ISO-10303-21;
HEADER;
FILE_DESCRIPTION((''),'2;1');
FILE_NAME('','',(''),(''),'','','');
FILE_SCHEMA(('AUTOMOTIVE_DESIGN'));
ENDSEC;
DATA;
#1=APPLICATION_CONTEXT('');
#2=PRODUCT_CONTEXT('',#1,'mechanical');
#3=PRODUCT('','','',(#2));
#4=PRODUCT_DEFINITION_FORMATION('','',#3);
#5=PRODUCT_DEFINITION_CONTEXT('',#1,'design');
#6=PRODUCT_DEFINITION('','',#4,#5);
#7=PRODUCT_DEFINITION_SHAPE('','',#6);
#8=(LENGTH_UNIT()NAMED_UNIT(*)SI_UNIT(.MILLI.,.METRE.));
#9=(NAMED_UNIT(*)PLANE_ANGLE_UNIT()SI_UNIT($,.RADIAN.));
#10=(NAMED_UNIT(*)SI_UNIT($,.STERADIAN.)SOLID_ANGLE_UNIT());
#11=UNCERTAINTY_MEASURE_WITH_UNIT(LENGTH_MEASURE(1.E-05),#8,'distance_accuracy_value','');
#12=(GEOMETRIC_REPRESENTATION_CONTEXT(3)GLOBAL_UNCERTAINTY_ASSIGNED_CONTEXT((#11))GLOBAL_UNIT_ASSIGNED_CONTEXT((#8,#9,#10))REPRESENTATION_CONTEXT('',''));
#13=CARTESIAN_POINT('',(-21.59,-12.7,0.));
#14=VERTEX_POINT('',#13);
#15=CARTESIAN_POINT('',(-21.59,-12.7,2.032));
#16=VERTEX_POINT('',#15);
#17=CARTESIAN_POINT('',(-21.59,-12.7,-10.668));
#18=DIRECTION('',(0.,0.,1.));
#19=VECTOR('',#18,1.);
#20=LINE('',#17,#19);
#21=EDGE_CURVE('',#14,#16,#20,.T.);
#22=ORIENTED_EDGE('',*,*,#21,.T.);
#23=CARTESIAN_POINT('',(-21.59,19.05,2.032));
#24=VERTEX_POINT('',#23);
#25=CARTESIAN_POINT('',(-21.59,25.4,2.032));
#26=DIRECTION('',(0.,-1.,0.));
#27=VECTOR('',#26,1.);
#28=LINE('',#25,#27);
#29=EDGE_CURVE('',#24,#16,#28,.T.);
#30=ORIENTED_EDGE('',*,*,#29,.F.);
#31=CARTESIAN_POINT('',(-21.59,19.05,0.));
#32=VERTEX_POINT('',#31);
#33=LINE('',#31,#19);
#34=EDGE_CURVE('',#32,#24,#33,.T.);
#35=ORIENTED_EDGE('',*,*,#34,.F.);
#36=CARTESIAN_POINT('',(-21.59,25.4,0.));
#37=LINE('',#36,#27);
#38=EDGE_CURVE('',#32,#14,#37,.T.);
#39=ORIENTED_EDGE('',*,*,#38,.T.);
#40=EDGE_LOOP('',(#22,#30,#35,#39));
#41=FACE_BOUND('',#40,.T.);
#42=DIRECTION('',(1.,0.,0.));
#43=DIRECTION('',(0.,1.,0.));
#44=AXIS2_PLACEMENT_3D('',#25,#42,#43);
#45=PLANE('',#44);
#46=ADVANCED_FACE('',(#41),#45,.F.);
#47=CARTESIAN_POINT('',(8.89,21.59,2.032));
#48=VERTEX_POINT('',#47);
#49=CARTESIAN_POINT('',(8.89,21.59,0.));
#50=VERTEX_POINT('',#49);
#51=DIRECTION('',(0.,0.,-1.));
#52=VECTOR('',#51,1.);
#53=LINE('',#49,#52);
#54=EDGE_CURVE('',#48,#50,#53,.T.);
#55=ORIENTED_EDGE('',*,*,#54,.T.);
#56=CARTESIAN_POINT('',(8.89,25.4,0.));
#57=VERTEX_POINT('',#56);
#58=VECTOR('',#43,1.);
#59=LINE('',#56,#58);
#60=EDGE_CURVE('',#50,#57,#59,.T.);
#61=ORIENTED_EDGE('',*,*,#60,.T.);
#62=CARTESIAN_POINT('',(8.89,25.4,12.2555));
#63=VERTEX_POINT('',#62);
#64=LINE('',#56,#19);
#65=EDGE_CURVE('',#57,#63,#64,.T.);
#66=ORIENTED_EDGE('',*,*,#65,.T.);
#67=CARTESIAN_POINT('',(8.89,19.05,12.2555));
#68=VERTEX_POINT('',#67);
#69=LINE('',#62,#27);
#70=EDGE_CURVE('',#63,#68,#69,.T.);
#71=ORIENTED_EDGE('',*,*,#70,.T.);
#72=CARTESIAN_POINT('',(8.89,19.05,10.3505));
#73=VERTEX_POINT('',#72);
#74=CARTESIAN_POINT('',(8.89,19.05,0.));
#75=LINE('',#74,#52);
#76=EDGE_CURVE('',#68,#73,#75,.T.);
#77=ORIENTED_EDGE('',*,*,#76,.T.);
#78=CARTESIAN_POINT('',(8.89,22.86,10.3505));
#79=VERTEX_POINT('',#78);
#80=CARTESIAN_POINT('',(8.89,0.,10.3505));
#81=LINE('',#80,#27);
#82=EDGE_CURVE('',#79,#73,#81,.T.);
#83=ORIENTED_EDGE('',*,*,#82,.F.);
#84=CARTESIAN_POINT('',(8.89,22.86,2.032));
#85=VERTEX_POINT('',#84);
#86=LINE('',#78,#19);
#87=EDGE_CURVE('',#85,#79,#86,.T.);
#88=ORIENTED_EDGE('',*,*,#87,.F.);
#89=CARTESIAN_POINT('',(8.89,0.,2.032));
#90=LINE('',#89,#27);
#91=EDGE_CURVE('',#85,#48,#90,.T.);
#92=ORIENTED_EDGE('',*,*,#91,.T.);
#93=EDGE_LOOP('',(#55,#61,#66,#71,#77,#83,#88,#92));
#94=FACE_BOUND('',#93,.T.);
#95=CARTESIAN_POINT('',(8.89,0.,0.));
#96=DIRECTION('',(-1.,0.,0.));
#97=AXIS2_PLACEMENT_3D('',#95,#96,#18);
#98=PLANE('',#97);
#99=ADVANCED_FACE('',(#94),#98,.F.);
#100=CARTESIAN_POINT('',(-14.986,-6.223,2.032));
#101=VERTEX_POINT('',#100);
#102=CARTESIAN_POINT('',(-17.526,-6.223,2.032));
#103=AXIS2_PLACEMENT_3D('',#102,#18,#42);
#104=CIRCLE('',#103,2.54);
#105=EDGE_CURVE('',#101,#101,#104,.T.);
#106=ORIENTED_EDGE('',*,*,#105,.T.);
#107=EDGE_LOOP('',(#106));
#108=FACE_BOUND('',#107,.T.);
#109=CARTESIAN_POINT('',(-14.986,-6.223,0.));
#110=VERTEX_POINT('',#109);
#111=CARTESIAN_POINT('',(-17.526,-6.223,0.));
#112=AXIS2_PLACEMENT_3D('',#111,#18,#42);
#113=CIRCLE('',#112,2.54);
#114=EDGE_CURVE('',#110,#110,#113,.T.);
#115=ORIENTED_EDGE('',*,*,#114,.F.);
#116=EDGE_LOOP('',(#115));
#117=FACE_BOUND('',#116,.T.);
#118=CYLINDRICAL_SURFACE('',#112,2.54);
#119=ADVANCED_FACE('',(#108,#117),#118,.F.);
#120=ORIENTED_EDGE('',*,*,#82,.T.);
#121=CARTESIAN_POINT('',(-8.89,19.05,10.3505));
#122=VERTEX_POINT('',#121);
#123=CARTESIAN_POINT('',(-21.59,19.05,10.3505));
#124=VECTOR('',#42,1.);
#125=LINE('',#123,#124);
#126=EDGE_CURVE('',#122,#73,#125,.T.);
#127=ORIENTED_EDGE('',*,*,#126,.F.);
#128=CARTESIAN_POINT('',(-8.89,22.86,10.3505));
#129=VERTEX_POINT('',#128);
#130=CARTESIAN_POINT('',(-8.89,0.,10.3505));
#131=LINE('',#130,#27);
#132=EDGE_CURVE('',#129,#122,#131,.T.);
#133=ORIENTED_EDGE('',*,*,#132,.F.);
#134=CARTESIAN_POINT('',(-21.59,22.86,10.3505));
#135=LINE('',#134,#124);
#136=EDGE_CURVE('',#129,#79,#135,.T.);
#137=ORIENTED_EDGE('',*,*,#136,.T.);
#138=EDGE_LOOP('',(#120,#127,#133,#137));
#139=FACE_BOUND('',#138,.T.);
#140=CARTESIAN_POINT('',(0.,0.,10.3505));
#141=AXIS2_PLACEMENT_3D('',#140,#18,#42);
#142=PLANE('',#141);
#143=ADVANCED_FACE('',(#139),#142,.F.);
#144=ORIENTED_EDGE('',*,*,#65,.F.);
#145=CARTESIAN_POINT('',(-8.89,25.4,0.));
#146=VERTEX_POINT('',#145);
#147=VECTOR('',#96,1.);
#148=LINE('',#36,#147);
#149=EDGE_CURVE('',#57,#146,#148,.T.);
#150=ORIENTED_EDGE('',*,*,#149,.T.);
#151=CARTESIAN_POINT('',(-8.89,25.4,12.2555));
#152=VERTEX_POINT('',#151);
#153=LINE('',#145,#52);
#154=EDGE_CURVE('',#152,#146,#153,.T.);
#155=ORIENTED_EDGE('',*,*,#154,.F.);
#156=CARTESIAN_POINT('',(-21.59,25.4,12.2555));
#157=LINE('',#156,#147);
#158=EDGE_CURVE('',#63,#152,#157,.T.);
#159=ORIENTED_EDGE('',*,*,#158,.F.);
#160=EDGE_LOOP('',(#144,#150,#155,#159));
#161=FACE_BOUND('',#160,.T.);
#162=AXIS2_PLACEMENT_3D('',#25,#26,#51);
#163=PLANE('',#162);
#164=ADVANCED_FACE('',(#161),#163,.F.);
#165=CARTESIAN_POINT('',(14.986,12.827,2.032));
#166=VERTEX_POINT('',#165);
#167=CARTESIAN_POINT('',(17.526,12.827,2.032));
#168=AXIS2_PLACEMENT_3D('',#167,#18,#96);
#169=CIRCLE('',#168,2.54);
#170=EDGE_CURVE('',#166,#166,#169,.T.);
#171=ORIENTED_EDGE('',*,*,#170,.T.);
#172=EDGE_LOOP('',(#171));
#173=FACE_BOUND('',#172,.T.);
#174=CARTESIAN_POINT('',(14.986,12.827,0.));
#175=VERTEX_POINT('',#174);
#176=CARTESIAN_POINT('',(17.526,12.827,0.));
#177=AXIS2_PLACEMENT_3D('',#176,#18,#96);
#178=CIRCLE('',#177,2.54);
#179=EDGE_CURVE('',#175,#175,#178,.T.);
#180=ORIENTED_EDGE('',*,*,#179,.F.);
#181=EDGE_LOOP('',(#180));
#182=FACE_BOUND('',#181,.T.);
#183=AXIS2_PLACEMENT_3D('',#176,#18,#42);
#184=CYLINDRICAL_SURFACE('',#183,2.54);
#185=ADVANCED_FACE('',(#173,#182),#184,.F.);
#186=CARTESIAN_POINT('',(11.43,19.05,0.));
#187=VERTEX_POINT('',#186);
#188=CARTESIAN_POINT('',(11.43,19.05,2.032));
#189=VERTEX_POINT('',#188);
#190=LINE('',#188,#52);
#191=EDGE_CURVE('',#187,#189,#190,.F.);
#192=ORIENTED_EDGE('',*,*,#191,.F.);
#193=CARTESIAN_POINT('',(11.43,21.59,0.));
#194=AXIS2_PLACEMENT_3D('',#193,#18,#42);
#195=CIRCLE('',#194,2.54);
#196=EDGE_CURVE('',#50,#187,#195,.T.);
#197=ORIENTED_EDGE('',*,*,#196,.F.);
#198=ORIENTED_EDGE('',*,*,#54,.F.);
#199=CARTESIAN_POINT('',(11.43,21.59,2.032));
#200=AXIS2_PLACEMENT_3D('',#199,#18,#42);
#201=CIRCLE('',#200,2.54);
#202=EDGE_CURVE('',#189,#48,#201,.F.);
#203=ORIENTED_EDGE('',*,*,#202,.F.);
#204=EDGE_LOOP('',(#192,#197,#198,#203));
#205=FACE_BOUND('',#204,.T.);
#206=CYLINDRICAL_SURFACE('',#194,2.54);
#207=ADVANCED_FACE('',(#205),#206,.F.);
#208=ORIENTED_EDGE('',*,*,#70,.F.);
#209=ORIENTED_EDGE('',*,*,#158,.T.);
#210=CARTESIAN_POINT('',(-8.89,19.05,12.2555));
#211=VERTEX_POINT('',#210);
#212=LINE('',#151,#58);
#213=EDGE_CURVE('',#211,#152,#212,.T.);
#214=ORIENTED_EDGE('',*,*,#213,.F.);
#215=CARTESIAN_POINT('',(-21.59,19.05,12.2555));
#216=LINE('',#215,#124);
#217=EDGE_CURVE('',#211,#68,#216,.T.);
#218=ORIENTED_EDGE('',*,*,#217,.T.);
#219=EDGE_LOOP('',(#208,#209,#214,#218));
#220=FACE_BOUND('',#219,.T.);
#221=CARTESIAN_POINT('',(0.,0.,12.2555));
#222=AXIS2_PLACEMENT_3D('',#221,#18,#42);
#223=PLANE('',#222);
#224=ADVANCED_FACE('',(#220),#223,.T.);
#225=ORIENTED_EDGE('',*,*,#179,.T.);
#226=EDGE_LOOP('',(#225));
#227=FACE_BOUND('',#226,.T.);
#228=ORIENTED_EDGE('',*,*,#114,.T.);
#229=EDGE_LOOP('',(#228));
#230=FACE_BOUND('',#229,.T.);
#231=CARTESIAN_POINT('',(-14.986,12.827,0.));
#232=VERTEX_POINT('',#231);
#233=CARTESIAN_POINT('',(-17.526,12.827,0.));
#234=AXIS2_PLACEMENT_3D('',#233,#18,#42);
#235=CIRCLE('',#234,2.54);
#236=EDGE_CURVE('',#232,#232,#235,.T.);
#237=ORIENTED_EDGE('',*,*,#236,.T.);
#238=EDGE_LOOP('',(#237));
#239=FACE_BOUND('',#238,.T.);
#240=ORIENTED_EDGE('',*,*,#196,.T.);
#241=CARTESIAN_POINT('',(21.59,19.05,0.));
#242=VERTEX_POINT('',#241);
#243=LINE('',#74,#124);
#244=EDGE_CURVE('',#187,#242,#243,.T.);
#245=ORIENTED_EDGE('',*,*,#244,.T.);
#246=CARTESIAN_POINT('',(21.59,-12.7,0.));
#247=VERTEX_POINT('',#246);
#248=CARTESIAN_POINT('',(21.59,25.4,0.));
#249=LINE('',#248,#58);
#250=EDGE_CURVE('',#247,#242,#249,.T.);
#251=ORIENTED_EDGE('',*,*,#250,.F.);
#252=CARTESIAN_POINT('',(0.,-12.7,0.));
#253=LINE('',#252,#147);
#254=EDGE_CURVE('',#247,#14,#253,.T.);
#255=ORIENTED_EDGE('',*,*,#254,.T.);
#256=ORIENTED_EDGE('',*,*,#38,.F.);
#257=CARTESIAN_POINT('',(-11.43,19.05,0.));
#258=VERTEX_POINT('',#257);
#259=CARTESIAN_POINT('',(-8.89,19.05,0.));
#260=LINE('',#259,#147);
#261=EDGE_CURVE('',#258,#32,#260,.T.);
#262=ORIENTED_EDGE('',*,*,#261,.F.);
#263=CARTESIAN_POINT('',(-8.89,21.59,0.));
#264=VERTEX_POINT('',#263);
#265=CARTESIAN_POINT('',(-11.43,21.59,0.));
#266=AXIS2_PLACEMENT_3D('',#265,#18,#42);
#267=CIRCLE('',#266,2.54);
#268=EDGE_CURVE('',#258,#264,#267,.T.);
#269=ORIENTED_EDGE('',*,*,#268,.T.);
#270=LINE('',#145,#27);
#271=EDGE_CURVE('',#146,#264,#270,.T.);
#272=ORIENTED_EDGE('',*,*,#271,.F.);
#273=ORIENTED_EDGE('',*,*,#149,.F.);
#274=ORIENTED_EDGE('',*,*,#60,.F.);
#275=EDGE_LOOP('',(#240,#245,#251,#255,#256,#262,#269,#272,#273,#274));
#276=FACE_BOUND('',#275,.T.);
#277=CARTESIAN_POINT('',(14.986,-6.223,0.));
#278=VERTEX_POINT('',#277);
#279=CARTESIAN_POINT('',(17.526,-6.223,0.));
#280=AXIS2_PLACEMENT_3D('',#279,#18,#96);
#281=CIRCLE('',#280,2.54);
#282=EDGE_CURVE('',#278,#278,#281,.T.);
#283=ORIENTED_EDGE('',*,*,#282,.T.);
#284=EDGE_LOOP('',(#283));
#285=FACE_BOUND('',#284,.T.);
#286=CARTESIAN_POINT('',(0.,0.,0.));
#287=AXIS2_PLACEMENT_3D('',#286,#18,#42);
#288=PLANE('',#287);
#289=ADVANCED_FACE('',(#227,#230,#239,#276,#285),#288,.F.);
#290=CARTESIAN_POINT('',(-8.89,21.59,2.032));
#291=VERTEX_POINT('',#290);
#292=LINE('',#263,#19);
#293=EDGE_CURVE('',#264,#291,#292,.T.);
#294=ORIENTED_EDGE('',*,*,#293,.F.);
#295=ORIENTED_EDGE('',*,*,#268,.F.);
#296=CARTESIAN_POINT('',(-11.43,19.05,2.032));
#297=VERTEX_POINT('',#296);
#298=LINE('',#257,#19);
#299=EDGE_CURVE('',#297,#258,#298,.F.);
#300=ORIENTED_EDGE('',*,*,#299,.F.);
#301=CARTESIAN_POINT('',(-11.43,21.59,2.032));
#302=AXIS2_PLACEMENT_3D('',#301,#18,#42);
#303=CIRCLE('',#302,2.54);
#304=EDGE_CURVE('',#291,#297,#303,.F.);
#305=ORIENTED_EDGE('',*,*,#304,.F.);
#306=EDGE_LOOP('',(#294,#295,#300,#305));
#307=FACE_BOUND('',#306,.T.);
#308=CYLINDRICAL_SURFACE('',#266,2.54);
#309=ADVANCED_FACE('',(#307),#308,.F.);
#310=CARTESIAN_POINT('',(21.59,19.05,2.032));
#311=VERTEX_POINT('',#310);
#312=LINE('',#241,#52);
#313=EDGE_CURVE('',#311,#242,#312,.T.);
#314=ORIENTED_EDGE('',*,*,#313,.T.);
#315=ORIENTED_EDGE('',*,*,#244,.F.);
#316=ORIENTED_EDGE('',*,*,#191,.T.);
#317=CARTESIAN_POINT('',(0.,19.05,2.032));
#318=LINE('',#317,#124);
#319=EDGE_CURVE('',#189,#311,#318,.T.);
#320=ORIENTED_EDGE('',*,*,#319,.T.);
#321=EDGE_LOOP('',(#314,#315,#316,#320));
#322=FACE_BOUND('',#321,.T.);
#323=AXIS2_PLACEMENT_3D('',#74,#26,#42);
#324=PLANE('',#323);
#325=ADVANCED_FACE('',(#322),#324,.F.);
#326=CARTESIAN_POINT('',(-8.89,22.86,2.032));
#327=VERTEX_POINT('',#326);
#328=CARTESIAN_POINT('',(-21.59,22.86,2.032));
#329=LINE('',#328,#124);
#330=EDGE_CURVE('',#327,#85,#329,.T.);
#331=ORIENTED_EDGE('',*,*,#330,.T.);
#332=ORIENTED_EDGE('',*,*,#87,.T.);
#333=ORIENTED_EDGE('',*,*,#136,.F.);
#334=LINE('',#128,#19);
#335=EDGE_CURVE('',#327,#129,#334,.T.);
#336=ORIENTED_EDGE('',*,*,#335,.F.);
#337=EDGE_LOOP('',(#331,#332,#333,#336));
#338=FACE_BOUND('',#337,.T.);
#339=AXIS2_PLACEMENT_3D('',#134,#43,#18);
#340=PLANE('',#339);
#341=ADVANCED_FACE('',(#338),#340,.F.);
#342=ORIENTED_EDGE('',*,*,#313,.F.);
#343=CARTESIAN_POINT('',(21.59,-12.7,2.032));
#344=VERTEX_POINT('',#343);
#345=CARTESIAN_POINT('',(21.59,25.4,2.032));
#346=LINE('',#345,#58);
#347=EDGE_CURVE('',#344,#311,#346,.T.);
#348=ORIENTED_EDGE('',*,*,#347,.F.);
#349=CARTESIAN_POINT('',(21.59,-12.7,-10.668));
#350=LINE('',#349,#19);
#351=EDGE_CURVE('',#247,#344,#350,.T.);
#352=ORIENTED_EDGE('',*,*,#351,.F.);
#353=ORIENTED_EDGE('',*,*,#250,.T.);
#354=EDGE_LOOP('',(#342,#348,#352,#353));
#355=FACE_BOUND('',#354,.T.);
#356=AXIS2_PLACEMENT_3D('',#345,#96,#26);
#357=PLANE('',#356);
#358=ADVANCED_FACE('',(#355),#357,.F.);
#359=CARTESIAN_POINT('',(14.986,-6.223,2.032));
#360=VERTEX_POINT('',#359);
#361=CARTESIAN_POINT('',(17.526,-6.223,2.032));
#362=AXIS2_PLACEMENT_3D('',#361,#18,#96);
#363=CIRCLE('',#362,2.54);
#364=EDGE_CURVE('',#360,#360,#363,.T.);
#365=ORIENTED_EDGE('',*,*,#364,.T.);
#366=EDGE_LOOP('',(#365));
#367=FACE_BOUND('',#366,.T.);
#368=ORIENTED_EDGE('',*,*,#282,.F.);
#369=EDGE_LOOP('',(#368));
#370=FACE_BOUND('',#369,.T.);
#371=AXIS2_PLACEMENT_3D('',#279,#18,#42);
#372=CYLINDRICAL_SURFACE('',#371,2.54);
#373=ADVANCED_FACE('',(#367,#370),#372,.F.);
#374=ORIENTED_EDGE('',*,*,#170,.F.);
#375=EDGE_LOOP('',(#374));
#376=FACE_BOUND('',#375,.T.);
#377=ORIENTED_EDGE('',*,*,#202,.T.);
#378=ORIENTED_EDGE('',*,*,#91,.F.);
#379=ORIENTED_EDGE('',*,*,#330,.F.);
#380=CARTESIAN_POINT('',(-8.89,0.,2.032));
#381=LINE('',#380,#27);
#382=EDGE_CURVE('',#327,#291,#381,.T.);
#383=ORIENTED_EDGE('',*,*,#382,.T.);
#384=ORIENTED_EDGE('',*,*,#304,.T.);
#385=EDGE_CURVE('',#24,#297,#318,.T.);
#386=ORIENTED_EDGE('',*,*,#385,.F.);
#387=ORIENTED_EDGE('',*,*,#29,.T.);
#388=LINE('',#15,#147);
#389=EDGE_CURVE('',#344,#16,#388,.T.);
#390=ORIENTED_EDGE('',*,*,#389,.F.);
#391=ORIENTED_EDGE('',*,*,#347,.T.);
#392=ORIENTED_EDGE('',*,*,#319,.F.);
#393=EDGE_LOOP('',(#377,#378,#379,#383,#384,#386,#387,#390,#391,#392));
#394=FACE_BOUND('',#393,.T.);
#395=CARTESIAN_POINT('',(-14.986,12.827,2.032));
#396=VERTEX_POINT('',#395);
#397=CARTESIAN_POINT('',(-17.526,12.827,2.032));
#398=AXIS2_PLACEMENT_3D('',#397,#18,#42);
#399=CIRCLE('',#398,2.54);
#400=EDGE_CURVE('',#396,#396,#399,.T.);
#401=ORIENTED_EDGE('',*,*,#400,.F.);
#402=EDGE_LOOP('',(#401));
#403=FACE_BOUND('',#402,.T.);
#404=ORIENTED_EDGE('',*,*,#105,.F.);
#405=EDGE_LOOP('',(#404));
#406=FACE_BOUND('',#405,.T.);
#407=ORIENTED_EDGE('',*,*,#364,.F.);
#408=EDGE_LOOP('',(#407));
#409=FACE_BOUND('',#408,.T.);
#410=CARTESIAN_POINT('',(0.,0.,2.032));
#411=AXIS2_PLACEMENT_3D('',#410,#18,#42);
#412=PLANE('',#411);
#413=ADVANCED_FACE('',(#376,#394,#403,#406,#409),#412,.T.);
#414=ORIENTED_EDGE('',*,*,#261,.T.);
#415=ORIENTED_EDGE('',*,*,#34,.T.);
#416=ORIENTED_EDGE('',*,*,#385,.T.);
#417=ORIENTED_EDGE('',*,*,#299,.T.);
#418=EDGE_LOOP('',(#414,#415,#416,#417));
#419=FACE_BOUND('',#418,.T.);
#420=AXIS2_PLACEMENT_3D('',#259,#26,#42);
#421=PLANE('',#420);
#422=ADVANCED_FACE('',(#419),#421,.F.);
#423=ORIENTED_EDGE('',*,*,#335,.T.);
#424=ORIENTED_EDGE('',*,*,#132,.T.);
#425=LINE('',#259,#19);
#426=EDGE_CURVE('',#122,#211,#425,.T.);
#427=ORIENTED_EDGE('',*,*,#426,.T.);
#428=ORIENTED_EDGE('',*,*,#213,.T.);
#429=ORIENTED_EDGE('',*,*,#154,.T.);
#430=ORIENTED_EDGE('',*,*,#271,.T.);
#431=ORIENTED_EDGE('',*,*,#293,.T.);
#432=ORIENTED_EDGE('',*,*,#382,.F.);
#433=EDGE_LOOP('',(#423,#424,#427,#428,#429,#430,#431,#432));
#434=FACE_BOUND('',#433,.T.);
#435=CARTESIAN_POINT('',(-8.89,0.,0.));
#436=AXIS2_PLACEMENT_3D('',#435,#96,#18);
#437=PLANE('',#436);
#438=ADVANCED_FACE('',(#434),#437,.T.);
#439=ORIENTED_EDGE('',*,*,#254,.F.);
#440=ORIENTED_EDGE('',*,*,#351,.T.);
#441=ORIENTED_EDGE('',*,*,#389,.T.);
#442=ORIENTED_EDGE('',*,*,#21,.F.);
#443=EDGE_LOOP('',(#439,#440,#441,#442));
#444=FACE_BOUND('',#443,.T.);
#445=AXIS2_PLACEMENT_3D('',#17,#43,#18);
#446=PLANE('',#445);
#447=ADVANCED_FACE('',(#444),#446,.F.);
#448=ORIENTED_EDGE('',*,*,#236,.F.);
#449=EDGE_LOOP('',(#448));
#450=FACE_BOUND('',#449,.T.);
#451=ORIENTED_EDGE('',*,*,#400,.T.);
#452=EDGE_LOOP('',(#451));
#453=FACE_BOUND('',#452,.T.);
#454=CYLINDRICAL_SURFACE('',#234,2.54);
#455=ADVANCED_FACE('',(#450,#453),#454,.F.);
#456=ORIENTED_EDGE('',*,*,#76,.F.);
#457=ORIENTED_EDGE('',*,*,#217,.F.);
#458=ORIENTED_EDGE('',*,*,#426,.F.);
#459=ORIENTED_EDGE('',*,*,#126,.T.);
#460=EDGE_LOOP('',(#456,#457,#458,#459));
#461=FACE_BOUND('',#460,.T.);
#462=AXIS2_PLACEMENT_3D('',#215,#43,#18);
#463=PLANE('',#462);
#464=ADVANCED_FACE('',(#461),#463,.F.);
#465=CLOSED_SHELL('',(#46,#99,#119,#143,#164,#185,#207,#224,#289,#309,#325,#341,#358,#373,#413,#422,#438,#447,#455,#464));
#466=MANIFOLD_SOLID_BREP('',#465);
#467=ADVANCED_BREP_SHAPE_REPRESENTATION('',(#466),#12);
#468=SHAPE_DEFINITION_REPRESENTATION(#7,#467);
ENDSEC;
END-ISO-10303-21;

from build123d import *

# Parameters (mm, degrees)
SKETCH1_W           = 43.18
SKETCH1_H           = 50.8
BOSS_EXTRUDE1_DEPTH = 2.032
SKETCH2_R           = 2.54
CUT_EXTRUDE1_DEPTH  = 34.397861069
SKETCH3_W           = 43.18
SKETCH3_H           = 2.54
BOSS_EXTRUDE2_DEPTH = 8.3185
SKETCH4_W           = 43.18
SKETCH4_H           = 6.35
BOSS_EXTRUDE3_DEPTH = 1.905
SKETCH5_W           = 12.2555
SKETCH5_H           = 6.35
CUT_EXTRUDE2_DEPTH  = 12.7
SKETCH6_W           = 12.2555
SKETCH6_H           = 6.35
CUT_EXTRUDE3_DEPTH  = 12.7
FILLET1_R           = 2.54
SKETCH7_W           = 43.18
SKETCH7_H           = 12.7
CUT_EXTRUDE4_DEPTH  = 12.7


with BuildPart() as part:
    # Sketch1 → Boss-Extrude1 (new body)
    with BuildSketch(Plane.XY):
        Rectangle(SKETCH1_W, SKETCH1_H)
    extrude(amount=BOSS_EXTRUDE1_DEPTH)

    # Sketch2 → Cut-Extrude1 (cut, through all)
    with BuildSketch(Plane.XY.offset(2.032)):
        with Locations((-17.526, 12.827)):
            Circle(SKETCH2_R)
        with Locations((-17.526, -6.223)):
            Circle(SKETCH2_R)
        with Locations(Location((17.526, -6.223, 0), (0, 0, 180))):
            Circle(SKETCH2_R)
        with Locations(Location((17.526, 12.827, 0), (0, 0, 180))):
            Circle(SKETCH2_R)
    extrude(amount=-CUT_EXTRUDE1_DEPTH, mode=Mode.SUBTRACT)

    # Sketch3 → Boss-Extrude2 (add)
    with BuildSketch(Plane.XY.offset(2.032)):
        with Locations((0, 24.13)):
            Rectangle(SKETCH3_W, SKETCH3_H)
    extrude(amount=BOSS_EXTRUDE2_DEPTH)

    # Sketch4 → Boss-Extrude3 (add)
    with BuildSketch(Plane.XY.offset(10.3505)):
        with Locations((0, 22.225)):
            Rectangle(SKETCH4_W, SKETCH4_H)
    extrude(amount=BOSS_EXTRUDE3_DEPTH)

    # Sketch5 → Cut-Extrude2 (cut)
    with BuildSketch(Plane(origin=(21.59, 0, 0), x_dir=(0, 0, -1), z_dir=(1, 0, 0))):
        with Locations((-6.12775, 22.225)):
            Rectangle(SKETCH5_W, SKETCH5_H)
    extrude(amount=-CUT_EXTRUDE2_DEPTH, mode=Mode.SUBTRACT)

    # Sketch6 → Cut-Extrude3 (cut)
    with BuildSketch(Plane.ZY.offset(21.59)):
        with Locations((6.12775, 22.225)):
            Rectangle(SKETCH6_W, SKETCH6_H)
    extrude(amount=-CUT_EXTRUDE3_DEPTH, mode=Mode.SUBTRACT)

    # Fillet1
    fillet1_edges = [part.edges().sort_by_distance(p)[0] for p in [
        (8.89, 19.05, 1.016),
        (-8.89, 19.05, 1.016),
    ]]
    fillet(fillet1_edges, radius=FILLET1_R)

    # Sketch7 → Cut-Extrude4 (cut)
    with BuildSketch(Plane.XY.offset(2.032)):
        with Locations((0, -19.05)):
            Rectangle(SKETCH7_W, SKETCH7_H)
    extrude(amount=-CUT_EXTRUDE4_DEPTH, mode=Mode.SUBTRACT)


solid = part.part
